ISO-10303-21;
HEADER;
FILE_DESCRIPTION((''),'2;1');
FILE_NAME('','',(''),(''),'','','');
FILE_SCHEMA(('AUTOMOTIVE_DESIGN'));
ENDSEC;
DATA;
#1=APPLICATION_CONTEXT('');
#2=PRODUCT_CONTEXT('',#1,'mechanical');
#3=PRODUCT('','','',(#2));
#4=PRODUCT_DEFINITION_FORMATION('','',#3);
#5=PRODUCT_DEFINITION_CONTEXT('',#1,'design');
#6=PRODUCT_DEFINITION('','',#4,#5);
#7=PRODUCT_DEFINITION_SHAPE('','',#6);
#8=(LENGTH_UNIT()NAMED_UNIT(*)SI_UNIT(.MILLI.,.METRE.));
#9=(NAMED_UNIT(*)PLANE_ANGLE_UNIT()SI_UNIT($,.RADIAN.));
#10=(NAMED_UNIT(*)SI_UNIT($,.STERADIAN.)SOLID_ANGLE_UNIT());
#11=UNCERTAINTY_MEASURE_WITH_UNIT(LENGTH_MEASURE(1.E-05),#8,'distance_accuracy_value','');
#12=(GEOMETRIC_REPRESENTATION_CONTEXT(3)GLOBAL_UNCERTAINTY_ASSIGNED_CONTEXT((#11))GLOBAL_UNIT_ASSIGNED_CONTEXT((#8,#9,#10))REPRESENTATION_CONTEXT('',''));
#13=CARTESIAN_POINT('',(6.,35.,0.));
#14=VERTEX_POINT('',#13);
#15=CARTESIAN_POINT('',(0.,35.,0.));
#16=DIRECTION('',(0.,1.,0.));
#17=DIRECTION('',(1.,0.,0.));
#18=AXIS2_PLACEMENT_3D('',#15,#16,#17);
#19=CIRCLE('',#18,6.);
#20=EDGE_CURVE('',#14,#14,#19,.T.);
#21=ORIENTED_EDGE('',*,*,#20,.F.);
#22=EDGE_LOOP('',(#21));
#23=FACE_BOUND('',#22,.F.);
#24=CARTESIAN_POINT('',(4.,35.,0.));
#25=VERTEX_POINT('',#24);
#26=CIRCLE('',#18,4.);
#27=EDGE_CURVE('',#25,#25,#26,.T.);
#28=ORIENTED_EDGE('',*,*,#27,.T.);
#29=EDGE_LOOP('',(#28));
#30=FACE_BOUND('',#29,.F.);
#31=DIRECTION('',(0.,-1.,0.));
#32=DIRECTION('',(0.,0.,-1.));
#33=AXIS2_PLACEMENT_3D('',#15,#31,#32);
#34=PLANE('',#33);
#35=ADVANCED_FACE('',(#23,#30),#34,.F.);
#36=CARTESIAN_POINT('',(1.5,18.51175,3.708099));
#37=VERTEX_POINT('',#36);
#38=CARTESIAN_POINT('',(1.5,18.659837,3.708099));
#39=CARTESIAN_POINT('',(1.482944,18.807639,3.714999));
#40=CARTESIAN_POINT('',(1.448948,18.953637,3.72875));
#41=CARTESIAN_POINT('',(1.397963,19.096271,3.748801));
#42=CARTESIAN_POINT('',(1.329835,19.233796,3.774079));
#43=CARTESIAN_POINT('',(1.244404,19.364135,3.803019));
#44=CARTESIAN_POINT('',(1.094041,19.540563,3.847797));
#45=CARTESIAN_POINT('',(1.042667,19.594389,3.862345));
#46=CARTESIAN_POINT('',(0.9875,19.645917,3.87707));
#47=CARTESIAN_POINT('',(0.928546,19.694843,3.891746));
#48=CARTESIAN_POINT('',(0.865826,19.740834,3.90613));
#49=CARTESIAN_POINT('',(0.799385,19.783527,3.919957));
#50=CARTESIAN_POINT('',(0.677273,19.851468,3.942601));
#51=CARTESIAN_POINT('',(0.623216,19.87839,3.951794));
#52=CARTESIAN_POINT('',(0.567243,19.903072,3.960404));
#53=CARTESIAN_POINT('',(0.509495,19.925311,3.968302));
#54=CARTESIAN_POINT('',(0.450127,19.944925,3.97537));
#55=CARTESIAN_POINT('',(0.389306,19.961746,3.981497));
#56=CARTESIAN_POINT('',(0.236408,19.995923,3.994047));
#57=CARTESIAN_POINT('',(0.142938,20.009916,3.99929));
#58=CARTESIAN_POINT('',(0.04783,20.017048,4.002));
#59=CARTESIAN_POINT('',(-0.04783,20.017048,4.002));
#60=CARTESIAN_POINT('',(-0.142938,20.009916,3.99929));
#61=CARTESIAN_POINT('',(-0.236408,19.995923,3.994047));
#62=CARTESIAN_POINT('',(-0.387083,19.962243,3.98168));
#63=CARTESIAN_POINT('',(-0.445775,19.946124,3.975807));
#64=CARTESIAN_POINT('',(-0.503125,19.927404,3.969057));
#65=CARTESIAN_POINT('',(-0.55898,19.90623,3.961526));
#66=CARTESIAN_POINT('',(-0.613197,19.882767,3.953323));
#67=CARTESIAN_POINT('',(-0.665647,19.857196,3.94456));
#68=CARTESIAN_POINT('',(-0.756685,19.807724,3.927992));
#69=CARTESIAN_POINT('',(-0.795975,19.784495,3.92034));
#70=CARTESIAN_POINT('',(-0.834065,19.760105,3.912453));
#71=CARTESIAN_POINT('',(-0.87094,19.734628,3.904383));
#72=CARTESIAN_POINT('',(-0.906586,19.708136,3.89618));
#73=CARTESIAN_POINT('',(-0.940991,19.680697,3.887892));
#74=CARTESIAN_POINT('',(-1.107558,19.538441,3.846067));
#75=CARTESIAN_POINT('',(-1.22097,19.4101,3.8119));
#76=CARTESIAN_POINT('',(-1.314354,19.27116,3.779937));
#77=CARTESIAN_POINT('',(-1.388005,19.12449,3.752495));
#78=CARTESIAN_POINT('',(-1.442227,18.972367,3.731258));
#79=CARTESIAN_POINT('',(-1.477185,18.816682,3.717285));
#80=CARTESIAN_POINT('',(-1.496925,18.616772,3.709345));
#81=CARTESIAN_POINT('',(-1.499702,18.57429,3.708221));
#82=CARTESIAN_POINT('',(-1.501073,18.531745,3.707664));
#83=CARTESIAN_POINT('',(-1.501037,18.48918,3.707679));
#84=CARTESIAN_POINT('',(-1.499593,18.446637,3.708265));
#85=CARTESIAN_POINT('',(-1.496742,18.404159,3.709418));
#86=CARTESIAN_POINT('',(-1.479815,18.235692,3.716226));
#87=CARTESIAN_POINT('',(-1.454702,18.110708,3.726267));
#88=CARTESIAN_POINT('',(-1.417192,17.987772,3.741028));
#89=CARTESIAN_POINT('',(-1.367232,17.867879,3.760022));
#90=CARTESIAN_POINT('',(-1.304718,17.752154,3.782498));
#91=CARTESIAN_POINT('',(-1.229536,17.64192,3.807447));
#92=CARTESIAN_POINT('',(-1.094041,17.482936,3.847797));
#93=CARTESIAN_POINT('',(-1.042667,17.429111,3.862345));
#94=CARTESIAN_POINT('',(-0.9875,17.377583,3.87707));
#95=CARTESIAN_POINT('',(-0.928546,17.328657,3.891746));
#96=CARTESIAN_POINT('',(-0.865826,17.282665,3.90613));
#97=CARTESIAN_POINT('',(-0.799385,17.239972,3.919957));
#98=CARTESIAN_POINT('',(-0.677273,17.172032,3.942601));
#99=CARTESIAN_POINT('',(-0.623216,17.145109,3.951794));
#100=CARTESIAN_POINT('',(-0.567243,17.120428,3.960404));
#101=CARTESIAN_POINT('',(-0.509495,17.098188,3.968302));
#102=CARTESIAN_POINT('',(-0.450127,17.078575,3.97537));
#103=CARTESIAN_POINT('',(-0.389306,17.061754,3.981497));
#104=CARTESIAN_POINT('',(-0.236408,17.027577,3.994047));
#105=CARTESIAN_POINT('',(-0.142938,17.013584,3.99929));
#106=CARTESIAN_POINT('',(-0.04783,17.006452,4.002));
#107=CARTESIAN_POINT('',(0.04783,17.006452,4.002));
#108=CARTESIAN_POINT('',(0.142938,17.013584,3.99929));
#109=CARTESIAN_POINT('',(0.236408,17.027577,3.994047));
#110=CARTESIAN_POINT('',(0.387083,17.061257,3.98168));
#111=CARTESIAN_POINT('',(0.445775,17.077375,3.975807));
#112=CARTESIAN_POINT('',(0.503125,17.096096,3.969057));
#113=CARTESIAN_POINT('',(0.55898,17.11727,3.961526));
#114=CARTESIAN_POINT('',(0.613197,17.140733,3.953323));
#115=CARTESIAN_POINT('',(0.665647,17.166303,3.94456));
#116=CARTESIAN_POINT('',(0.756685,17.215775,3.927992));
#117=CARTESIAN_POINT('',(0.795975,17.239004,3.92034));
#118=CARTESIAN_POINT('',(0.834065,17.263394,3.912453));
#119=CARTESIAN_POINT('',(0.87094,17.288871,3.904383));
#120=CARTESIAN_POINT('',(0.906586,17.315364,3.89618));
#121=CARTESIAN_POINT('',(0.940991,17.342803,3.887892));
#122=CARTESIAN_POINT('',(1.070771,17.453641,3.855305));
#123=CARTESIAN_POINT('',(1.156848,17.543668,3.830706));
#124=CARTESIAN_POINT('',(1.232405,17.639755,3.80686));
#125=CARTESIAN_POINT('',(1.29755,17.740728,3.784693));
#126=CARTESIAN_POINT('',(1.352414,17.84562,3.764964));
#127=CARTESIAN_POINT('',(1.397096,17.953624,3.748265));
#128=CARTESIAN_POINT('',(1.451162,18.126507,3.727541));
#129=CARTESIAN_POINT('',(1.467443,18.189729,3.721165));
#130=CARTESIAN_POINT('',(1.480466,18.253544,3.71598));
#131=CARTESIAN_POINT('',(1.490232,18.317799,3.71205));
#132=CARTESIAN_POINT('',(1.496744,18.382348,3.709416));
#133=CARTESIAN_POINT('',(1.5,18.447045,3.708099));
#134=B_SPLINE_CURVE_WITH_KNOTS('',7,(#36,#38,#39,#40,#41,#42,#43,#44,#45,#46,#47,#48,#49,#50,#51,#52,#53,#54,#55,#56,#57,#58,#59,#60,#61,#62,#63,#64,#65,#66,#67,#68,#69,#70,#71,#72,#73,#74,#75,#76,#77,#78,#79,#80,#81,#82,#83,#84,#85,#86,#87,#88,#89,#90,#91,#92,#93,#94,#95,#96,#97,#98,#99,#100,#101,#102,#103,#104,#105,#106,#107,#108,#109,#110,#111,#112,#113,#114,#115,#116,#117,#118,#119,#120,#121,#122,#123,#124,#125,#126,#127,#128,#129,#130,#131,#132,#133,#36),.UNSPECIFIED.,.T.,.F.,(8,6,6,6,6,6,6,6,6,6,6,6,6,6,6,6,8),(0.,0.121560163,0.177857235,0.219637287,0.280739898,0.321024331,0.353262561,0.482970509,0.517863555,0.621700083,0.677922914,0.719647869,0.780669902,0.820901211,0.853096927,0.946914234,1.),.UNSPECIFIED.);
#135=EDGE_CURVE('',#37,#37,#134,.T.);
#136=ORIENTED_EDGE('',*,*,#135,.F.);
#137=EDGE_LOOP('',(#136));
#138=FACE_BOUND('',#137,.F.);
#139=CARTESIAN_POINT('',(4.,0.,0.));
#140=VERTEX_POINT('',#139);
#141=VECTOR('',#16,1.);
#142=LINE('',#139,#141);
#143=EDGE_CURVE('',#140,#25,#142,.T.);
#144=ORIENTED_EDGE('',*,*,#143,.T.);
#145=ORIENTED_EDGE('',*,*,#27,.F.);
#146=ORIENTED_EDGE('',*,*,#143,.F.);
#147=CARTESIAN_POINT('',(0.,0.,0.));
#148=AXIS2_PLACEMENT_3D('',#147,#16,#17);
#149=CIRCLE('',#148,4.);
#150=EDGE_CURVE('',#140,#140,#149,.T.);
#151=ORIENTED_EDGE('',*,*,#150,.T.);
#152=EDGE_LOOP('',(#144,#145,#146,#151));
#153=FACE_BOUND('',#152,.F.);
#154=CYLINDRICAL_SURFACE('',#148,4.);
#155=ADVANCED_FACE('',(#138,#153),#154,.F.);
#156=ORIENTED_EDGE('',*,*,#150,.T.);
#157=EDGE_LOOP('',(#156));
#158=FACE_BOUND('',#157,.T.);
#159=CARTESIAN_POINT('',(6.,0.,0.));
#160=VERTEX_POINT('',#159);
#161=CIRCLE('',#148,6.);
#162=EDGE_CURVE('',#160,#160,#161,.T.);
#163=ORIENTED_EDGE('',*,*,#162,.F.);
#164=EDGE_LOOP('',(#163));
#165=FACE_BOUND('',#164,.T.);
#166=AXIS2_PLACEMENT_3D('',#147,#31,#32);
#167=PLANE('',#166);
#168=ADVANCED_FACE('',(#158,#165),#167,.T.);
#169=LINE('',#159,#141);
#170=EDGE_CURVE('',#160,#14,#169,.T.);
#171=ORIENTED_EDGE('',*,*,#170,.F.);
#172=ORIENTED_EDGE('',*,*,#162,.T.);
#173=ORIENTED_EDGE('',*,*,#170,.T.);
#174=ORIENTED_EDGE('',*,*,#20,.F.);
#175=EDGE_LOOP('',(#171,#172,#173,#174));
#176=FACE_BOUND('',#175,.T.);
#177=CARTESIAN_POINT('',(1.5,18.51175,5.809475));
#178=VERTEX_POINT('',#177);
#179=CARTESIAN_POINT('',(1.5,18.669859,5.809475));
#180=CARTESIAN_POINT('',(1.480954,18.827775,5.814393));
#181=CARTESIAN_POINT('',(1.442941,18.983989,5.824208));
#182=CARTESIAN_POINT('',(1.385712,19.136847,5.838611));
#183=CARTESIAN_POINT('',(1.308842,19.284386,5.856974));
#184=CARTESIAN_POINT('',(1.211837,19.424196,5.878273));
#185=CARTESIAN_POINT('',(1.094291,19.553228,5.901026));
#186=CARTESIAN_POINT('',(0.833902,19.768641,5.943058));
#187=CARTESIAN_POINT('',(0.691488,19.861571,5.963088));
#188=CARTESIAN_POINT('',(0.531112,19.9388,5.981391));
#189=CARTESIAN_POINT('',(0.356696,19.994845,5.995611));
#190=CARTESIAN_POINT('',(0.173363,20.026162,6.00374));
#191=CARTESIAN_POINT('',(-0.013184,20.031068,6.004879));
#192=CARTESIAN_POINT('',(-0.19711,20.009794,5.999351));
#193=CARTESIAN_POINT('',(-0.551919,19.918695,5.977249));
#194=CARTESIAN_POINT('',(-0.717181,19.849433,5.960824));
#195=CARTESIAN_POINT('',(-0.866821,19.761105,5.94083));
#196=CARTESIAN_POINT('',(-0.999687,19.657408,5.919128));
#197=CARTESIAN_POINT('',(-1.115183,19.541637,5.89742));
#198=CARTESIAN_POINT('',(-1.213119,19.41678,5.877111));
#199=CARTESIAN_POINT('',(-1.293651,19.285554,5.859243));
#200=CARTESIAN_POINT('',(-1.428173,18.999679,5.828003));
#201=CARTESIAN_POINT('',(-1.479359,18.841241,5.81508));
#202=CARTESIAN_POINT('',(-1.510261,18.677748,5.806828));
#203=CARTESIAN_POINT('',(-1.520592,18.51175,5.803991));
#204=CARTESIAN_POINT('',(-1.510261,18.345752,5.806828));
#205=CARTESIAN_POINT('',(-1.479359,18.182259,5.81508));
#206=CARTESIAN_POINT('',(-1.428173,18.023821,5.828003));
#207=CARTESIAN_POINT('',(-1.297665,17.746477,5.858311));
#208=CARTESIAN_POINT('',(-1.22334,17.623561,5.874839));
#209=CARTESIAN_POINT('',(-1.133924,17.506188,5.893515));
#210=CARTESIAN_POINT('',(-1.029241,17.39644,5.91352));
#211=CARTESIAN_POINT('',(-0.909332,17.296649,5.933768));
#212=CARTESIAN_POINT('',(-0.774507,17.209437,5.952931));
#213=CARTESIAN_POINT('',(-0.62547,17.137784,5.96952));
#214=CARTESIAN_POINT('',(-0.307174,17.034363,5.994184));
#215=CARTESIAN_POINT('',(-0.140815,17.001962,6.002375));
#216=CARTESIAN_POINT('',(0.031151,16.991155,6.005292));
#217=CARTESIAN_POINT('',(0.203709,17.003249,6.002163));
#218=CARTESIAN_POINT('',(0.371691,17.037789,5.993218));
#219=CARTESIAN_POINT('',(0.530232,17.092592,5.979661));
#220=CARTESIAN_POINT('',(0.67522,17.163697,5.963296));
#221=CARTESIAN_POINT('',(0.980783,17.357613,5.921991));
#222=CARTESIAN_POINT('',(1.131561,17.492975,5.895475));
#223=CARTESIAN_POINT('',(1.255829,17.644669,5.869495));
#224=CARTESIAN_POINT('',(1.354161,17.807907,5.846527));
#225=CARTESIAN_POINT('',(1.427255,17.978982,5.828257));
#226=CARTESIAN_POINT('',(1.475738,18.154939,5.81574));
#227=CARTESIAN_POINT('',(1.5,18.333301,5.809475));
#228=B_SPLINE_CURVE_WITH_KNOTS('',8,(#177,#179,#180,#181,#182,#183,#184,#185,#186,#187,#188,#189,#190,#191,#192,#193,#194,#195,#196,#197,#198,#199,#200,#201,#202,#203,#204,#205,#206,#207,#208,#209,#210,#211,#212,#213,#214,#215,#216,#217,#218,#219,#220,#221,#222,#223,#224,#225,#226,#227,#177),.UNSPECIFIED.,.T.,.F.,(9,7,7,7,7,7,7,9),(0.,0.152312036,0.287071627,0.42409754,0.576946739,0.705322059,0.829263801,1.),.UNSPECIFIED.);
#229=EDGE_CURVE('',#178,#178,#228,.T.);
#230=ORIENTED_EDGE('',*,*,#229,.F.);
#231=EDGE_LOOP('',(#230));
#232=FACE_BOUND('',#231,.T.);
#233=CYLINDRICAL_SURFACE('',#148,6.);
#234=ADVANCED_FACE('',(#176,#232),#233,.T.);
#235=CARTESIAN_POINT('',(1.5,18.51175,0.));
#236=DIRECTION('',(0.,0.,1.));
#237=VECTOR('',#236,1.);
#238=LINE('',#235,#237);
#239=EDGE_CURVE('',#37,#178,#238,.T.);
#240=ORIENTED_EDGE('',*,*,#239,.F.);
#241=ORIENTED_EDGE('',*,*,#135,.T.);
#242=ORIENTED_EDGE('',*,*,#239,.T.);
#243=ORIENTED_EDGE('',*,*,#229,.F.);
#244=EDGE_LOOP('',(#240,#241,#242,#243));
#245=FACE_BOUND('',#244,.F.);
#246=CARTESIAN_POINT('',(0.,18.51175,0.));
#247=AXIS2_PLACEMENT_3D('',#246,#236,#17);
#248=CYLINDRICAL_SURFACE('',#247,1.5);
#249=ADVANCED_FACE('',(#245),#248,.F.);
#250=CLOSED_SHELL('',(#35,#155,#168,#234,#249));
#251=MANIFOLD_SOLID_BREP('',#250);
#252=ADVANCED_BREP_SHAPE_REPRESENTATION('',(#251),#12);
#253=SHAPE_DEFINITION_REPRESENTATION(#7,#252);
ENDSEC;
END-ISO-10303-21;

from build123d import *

# Parameters (mm, degrees)
F0_R   = 6
F0_R_2 = 4
F3_R   = 1.5


with BuildPart() as f2:
    # F2: sweep along a path in F1
    with BuildLine(Plane.XY) as f2_path:
        Line((0, 0), (0, 35))
    # F0 (on Front) → F2 (sweep)
    with BuildSketch(Plane.XZ):
        Circle(F0_R)
        Circle(F0_R_2, mode=Mode.SUBTRACT)
    sweep(path=f2_path.line)

    # F5: sweep along a path in F4
    with BuildLine(Plane.XZ) as f5_path:
        Line((-2.3976062158, 0), (-2.3976062158, 15))
    # F3 (on Top) → F5 (sweep, cut)
    with BuildSketch(Plane.XY):
        with Locations((0, 18.511749804)):
            Circle(F3_R)
    sweep(path=f5_path.line, mode=Mode.SUBTRACT)


solid = f2.part
